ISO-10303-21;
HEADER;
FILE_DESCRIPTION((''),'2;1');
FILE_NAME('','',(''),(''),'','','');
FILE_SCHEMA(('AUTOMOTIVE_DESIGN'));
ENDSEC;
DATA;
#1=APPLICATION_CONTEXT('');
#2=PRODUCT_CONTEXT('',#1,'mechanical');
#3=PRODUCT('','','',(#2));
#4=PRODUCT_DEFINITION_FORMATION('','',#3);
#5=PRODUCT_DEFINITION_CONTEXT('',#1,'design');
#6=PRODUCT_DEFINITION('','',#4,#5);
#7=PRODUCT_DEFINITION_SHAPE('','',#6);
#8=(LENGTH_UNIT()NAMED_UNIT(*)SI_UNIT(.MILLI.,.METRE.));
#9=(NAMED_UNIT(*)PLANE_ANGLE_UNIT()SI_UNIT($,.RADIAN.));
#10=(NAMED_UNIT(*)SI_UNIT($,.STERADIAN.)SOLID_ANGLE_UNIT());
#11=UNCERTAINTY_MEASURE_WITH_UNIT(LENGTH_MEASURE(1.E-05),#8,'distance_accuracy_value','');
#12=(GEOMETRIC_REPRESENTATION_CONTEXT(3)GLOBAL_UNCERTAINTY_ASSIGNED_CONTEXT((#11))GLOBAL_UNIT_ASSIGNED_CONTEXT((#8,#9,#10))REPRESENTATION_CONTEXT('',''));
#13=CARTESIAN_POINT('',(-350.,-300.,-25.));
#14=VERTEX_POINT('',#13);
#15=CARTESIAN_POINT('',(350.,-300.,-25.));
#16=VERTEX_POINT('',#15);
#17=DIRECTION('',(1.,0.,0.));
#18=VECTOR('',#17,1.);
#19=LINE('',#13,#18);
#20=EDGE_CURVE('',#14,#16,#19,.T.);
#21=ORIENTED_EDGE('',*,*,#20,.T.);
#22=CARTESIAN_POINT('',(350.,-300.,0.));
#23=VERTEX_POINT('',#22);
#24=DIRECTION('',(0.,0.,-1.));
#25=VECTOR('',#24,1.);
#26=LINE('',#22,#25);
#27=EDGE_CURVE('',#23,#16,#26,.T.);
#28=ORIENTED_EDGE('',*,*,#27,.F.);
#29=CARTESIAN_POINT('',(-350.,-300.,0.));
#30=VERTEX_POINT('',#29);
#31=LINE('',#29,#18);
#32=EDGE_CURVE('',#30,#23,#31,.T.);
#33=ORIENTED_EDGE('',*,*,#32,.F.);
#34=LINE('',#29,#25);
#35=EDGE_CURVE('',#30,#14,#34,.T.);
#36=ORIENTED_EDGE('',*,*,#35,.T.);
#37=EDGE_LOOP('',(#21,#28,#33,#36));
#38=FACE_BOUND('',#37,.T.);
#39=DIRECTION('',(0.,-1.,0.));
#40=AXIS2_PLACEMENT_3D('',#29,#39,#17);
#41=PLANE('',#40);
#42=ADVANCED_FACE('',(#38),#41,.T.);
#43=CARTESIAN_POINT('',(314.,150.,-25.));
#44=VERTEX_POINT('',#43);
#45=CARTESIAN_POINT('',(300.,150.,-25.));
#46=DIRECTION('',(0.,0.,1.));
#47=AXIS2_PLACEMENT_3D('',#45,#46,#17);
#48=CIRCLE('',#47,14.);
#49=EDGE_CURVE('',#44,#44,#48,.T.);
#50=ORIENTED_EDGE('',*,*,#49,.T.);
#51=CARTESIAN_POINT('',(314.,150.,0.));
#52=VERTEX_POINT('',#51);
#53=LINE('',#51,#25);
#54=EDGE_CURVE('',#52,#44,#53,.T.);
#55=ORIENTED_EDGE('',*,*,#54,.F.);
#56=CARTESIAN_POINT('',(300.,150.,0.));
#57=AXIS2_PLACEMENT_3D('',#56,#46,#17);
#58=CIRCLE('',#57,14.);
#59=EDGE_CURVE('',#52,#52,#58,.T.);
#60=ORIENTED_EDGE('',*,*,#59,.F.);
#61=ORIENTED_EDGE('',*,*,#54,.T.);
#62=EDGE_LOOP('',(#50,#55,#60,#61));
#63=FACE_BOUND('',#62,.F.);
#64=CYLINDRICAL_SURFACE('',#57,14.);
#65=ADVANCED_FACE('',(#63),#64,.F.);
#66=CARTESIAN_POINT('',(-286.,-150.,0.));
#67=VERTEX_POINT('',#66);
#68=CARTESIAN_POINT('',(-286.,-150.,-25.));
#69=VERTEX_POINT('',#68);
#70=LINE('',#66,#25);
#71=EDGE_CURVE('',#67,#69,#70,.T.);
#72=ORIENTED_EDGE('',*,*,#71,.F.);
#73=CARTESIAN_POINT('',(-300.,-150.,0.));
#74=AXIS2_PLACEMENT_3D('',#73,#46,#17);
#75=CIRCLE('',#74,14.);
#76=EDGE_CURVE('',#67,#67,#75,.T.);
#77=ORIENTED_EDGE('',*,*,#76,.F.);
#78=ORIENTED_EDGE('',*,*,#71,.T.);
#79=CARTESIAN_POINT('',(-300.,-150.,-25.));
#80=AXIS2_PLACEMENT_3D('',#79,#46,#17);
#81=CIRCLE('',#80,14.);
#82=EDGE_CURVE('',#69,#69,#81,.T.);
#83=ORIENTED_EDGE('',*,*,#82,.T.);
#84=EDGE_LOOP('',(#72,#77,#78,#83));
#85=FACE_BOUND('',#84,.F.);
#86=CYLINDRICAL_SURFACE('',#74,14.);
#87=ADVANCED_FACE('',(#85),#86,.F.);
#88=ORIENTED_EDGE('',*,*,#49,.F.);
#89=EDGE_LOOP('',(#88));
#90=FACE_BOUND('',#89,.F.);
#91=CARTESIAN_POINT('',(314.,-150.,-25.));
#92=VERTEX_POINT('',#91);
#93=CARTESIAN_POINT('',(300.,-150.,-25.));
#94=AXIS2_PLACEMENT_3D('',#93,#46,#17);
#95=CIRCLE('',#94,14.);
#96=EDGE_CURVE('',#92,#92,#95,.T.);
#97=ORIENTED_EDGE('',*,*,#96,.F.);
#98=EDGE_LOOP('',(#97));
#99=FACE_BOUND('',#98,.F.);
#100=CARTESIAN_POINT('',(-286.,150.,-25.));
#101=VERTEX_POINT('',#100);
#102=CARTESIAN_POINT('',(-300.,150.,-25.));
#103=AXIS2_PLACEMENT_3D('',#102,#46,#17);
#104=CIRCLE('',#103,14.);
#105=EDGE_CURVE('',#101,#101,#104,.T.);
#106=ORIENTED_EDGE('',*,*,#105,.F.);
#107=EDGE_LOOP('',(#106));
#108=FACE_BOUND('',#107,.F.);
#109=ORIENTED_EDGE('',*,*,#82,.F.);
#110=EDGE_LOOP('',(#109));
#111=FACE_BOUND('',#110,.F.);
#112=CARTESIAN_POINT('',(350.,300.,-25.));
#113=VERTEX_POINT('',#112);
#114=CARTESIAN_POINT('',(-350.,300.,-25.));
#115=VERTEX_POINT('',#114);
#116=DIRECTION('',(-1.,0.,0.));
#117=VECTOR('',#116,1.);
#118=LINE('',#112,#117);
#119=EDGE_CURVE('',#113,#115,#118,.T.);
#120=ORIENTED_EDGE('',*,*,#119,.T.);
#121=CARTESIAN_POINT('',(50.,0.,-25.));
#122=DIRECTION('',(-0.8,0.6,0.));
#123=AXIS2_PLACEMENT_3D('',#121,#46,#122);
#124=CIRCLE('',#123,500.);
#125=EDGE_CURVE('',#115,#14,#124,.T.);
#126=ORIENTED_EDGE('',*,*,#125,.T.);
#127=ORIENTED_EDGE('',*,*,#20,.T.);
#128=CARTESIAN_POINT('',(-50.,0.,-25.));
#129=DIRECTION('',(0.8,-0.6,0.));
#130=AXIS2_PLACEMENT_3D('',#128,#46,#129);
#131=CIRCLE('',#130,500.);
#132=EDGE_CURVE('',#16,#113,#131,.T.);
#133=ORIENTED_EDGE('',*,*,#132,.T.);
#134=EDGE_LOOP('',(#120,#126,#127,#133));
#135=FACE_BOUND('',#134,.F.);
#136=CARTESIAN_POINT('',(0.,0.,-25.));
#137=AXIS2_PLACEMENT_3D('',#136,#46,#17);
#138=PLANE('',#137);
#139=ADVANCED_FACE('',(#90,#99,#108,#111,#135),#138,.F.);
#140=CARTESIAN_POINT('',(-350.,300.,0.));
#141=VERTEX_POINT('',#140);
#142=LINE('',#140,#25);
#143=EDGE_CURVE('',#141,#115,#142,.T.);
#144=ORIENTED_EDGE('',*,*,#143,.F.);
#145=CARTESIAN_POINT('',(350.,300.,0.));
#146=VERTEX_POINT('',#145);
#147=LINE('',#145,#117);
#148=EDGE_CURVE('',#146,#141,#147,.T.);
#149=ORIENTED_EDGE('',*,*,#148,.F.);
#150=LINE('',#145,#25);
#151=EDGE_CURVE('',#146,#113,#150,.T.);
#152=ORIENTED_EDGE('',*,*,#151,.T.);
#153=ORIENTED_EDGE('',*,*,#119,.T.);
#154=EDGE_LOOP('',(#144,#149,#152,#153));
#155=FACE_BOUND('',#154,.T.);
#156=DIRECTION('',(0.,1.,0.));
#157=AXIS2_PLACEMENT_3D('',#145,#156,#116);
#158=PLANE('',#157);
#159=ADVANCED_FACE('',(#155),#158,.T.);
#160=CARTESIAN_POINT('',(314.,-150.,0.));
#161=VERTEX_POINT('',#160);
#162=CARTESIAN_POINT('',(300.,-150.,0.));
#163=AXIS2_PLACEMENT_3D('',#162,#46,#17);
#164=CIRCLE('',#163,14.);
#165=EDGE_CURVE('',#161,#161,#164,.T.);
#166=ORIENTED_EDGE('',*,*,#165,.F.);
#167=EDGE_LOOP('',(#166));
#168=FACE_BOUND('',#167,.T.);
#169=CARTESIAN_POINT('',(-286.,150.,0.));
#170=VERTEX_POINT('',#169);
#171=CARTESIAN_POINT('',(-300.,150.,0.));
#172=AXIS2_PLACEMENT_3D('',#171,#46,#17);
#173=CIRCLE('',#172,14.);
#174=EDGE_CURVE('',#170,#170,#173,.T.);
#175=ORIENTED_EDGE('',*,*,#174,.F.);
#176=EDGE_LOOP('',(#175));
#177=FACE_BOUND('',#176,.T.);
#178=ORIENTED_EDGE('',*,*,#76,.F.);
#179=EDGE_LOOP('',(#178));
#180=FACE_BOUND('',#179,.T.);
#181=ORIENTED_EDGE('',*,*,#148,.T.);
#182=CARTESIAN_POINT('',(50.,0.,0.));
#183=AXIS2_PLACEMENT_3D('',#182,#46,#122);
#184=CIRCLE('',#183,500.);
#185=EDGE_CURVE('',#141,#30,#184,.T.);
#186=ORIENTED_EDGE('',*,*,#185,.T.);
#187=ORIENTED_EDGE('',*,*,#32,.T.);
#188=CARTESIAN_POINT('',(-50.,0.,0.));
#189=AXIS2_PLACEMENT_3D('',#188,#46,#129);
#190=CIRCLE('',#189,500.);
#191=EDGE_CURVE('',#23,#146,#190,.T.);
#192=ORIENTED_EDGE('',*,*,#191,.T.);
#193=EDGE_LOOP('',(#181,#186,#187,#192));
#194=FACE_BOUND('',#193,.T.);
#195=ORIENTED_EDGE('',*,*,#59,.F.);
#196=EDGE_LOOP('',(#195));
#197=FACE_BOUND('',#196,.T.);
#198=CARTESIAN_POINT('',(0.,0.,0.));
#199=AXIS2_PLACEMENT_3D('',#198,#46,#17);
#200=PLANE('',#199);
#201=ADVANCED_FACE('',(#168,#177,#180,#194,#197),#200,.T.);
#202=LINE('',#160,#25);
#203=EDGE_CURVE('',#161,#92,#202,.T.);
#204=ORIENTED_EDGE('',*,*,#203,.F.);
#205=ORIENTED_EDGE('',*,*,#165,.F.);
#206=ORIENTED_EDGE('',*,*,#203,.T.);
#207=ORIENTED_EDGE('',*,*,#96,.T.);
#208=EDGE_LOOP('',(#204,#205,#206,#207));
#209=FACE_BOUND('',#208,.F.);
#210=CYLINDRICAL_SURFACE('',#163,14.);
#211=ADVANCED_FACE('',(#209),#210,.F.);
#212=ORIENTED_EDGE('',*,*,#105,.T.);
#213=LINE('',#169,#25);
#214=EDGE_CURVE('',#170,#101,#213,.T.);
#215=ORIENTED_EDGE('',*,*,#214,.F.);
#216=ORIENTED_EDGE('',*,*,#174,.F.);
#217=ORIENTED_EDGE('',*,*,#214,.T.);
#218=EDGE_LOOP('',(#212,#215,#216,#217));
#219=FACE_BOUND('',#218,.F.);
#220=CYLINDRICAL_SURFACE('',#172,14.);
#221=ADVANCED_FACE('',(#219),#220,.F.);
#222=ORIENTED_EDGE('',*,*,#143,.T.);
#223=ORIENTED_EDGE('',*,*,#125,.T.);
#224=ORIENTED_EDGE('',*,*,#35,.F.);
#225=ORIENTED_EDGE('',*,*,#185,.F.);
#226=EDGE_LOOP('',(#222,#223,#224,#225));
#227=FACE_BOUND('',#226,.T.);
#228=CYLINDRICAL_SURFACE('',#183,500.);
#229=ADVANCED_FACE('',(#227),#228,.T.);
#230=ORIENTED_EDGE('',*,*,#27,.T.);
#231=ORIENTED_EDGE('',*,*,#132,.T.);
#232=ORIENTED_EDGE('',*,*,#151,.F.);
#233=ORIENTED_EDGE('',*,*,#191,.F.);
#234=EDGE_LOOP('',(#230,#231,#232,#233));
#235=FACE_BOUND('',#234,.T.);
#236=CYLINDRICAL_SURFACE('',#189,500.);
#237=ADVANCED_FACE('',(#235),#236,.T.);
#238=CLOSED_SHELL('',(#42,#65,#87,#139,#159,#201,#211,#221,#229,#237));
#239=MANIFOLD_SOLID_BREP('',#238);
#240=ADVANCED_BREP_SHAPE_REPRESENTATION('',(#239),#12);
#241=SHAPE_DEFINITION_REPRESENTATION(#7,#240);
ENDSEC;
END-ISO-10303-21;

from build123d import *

# Parameters (mm, degrees)
F0_R     = 14
F0_R_2   = 250
F1_DEPTH = 25


with BuildPart() as f1:
    # F0 (on Top) → F1 (new body)
    with BuildSketch(Plane.XY):
        with BuildLine():
            Line((350, 300), (-350, 300))
            ThreePointArc((-350, 300), (-450, 0), (-350, -300))
            Line((-350, -300), (350, -300))
            ThreePointArc((350, -300), (450, 0), (350, 300))
        make_face()
        with Locations((-300, -150)):
            Circle(F0_R, mode=Mode.SUBTRACT)
        with Locations((300, -150)):
            Circle(F0_R, mode=Mode.SUBTRACT)
        with Locations((-300, 150)):
            Circle(F0_R, mode=Mode.SUBTRACT)
        Circle(F0_R_2, mode=Mode.SUBTRACT)
        with Locations((300, 150)):
            Circle(F0_R, mode=Mode.SUBTRACT)
        Circle(F0_R_2)
    extrude(amount=-F1_DEPTH)


solid = f1.part
